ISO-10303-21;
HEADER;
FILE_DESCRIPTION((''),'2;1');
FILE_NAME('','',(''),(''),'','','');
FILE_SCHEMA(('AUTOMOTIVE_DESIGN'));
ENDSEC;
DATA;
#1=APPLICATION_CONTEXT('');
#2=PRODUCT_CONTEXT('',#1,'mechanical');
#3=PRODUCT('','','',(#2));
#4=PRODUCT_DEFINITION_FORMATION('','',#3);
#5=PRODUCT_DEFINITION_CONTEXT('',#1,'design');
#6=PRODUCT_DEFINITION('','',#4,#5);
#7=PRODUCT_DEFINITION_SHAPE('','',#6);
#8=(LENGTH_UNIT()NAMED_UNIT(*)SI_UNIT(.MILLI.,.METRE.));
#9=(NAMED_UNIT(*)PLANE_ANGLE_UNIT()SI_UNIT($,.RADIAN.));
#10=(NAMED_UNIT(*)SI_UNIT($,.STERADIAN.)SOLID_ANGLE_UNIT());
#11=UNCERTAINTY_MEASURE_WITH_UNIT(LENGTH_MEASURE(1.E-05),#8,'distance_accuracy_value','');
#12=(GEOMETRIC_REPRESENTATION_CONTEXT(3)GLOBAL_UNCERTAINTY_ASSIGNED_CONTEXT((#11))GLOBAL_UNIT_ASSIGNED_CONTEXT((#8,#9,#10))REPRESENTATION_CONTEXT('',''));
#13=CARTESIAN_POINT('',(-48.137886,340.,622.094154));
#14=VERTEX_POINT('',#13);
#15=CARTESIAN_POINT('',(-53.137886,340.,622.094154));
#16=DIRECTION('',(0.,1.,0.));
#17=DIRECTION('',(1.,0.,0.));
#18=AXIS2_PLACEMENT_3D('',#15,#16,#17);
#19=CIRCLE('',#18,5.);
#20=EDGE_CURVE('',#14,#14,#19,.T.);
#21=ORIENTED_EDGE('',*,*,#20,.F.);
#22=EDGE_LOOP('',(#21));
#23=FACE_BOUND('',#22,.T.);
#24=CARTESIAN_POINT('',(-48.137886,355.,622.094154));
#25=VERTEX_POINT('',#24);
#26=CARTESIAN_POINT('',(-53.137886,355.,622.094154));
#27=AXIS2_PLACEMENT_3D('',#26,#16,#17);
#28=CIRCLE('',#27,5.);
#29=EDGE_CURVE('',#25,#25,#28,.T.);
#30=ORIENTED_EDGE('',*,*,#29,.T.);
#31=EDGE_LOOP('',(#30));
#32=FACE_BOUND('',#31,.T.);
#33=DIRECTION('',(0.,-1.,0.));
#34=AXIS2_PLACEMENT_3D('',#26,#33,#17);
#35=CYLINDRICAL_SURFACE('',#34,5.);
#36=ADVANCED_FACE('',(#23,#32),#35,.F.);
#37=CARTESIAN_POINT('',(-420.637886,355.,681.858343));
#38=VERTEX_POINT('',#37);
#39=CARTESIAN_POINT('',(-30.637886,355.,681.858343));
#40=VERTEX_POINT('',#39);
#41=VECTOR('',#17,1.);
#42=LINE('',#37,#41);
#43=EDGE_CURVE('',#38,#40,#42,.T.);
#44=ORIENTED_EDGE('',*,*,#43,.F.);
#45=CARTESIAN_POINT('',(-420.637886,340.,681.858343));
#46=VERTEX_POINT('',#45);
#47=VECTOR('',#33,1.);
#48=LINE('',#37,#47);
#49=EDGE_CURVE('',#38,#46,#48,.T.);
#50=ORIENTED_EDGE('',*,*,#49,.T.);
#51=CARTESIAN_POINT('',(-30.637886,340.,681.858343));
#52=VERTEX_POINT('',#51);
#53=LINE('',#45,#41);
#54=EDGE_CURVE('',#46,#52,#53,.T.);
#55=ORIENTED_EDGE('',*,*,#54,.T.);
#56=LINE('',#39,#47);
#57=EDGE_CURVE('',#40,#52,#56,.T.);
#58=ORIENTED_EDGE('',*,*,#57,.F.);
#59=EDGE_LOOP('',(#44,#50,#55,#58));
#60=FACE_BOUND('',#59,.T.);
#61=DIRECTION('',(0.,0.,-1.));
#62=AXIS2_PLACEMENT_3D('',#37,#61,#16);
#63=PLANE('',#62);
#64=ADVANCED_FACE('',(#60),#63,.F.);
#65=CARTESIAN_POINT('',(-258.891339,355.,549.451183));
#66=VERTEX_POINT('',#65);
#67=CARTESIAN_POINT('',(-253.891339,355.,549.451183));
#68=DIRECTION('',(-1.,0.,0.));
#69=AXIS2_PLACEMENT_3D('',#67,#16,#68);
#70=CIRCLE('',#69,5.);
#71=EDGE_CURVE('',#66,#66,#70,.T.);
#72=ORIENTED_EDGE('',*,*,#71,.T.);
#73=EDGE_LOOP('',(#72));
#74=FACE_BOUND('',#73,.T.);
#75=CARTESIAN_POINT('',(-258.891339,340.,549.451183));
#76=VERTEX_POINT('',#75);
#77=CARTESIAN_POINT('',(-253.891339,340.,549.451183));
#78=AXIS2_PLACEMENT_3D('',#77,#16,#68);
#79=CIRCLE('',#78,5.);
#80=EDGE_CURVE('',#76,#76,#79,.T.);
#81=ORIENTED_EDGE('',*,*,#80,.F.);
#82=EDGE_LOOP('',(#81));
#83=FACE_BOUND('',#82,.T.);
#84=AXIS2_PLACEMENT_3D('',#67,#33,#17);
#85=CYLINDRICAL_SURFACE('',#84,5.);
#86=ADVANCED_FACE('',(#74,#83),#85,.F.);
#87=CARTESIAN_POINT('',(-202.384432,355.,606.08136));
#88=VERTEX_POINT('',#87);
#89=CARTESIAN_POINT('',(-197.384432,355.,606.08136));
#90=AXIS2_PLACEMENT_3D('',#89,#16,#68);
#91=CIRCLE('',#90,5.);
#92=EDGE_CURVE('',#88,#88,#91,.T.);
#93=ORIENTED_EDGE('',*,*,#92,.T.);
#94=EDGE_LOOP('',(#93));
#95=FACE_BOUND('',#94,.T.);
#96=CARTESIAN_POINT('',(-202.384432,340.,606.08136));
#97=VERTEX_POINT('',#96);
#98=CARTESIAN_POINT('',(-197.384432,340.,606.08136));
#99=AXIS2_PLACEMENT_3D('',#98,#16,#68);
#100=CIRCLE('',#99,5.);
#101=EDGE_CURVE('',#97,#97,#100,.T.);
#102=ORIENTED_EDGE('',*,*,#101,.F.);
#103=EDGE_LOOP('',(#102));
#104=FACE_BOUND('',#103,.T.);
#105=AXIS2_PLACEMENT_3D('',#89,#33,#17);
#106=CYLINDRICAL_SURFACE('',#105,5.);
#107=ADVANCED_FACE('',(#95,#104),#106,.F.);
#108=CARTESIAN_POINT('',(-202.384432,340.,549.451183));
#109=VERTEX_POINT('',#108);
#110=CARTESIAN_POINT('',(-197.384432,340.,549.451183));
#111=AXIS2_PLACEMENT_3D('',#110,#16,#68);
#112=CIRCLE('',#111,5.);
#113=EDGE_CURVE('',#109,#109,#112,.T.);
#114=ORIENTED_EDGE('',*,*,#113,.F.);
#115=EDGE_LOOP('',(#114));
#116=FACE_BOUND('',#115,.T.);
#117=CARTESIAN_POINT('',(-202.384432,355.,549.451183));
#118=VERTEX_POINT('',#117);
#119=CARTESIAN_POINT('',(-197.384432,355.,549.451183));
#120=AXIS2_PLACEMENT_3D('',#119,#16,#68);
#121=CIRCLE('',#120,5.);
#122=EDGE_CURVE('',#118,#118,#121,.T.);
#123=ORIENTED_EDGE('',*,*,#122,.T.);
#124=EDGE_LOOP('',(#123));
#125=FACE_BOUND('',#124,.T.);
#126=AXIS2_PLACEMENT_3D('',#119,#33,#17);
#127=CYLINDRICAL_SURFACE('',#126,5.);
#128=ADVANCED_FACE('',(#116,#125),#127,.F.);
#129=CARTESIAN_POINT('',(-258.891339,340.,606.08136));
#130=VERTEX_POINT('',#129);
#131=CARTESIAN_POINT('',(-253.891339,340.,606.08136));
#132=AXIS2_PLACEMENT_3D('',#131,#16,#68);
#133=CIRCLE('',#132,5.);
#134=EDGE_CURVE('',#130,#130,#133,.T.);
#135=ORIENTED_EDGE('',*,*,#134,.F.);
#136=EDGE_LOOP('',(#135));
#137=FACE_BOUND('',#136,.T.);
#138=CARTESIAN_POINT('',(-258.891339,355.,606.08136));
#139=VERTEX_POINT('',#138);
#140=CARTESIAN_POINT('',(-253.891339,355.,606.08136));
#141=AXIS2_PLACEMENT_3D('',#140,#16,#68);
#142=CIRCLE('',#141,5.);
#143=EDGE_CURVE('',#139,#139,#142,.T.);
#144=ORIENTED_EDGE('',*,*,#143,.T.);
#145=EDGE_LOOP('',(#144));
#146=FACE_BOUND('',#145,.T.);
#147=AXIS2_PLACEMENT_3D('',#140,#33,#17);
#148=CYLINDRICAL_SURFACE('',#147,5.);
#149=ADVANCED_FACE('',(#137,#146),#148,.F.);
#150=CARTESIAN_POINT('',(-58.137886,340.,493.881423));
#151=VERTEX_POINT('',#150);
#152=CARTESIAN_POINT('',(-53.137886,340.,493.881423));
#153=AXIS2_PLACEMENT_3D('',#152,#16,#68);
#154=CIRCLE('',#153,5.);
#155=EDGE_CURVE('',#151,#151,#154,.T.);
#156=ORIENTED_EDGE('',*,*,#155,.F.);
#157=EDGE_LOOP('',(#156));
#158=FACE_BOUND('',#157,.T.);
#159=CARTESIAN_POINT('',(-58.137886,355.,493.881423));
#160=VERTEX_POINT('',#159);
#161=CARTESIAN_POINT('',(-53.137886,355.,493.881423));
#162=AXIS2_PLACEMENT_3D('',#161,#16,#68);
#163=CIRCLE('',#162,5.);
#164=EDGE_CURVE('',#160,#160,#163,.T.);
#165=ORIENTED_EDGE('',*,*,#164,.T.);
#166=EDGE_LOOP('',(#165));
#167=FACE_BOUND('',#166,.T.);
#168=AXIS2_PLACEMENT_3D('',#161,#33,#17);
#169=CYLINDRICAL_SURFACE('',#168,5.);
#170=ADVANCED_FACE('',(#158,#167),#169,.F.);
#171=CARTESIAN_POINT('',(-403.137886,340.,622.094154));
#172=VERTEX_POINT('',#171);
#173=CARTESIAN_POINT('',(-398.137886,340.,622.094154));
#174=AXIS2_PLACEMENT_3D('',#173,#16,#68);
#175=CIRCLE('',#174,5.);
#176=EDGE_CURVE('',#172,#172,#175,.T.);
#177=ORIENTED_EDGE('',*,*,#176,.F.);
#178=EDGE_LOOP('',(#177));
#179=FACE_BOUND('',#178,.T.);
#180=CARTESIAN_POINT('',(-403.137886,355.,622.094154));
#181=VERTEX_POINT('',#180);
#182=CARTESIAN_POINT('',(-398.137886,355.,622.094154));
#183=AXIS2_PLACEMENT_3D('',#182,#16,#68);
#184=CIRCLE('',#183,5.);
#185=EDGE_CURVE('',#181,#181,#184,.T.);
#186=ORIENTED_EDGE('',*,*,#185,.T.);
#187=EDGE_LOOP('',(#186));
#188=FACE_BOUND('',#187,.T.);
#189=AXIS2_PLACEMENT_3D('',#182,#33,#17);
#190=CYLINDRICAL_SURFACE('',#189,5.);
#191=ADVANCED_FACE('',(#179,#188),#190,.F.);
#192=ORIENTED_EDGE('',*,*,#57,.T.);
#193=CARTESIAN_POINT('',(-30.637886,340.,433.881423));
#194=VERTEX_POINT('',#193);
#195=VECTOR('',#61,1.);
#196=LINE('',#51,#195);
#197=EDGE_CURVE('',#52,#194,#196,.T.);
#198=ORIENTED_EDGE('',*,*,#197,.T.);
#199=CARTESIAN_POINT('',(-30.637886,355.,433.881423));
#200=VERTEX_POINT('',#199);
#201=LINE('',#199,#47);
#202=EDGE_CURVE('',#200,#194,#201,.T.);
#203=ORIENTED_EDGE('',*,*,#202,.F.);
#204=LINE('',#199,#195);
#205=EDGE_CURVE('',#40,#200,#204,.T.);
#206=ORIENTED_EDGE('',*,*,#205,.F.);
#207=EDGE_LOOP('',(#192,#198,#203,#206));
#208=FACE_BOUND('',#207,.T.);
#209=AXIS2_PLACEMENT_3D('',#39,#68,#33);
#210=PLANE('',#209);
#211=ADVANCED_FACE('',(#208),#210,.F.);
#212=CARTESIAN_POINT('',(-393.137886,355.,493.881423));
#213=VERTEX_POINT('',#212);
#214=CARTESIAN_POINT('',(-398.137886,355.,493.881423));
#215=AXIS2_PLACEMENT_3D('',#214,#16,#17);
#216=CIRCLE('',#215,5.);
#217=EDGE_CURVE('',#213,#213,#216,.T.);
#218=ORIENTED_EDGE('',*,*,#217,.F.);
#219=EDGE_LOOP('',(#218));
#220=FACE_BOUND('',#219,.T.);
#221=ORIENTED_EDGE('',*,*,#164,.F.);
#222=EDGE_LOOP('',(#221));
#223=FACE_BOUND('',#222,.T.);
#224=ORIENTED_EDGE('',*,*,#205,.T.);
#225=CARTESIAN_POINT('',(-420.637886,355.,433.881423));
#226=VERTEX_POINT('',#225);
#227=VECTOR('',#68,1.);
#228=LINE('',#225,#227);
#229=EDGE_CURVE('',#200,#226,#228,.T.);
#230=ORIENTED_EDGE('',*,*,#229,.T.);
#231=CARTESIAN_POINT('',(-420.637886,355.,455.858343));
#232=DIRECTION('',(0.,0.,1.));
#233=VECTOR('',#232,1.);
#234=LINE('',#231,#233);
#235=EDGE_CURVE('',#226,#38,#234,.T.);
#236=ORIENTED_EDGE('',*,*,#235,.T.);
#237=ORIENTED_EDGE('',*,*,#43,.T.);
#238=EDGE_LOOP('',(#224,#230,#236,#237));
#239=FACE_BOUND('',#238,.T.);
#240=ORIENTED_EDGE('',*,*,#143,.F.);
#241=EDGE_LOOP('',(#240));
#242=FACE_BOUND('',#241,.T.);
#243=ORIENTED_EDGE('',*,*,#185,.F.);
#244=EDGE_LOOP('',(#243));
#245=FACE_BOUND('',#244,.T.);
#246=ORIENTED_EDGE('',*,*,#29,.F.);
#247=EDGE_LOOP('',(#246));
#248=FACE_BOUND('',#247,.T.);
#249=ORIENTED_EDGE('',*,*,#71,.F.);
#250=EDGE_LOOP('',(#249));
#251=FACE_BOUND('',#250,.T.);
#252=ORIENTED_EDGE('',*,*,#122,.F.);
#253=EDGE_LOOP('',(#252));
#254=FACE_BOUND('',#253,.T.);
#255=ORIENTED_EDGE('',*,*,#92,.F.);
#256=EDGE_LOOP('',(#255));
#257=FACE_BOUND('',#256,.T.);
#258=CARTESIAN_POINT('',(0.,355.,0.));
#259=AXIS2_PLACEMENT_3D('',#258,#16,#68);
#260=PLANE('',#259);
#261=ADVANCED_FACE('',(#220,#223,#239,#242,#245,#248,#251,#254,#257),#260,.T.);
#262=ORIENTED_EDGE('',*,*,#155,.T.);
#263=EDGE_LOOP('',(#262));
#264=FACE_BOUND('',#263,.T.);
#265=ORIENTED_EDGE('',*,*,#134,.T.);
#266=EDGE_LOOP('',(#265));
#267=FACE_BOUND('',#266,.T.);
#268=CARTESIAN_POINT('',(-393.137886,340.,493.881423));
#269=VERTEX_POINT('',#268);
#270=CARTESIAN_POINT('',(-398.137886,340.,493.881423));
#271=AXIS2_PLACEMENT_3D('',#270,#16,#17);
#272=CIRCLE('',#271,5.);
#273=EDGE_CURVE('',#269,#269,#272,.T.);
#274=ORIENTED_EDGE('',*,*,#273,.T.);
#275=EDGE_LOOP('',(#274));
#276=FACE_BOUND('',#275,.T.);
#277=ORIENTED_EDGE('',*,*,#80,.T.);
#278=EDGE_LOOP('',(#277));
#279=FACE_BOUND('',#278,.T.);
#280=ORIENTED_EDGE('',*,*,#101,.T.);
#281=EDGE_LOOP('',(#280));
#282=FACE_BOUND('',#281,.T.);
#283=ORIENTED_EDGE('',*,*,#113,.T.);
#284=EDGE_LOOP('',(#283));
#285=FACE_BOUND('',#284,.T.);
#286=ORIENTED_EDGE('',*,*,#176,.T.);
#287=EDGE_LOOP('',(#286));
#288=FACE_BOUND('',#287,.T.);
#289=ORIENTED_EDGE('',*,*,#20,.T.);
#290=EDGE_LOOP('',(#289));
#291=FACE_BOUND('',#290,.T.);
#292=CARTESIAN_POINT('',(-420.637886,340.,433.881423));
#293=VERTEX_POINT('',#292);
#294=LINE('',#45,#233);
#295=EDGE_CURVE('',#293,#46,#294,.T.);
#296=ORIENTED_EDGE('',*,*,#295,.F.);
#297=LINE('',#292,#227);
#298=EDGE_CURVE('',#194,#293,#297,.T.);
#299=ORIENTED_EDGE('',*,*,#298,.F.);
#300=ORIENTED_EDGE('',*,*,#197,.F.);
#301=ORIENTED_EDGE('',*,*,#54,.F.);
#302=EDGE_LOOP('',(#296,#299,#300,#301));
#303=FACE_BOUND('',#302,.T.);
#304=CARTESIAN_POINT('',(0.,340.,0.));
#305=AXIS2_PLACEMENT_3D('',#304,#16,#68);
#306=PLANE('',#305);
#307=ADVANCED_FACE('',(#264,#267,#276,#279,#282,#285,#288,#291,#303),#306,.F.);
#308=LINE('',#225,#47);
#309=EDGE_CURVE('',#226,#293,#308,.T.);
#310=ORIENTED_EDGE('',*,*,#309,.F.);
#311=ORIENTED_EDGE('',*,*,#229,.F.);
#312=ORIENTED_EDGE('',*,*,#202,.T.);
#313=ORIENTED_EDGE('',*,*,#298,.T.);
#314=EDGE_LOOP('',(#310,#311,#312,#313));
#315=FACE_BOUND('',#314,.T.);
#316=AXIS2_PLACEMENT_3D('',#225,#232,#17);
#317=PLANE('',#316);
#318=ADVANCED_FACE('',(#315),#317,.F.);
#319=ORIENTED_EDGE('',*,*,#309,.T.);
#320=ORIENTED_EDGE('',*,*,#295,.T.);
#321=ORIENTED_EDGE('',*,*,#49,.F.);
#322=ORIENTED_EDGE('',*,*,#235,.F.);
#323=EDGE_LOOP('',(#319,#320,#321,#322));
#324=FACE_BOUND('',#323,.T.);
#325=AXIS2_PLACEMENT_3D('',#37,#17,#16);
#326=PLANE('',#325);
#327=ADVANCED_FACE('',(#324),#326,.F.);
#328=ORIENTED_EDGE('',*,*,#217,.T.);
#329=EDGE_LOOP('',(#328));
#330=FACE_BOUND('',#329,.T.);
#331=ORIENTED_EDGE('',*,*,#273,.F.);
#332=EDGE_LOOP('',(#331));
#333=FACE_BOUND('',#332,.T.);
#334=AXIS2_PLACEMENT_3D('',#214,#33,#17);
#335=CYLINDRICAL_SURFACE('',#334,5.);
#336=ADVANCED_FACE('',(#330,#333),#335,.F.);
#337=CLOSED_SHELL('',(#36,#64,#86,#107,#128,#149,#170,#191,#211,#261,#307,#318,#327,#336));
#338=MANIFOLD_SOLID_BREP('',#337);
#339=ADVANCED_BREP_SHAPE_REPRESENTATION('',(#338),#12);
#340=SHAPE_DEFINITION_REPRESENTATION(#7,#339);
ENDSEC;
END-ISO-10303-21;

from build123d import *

# Parameters (mm, degrees)
SKETCH2_R           = 5
BOSS_EXTRUDE1_DEPTH = 15


with BuildPart() as part:
    # Sketch2 → Boss-Extrude1 (new body)
    with BuildSketch(Plane(origin=(0, 340, 0), x_dir=(1, 0, 0), z_dir=(0, 1, 0))):
        Polygon((-420.637885724, -681.858342538), (-30.637885724, -681.858342538), (-30.637885724, -455.858342538), (-30.637885724, -433.881423439), (-420.637885724, -433.881423439), (-420.637885724, -455.858342538), align=None)
        with Locations(Location((-53.137885724, -493.881423439, 0), (0, 0, 180))):
            Circle(SKETCH2_R, mode=Mode.SUBTRACT)
        with Locations((-53.137885724, -622.094154379)):
            Circle(SKETCH2_R, mode=Mode.SUBTRACT)
        with Locations((-398.137885724, -493.881423439)):
            Circle(SKETCH2_R, mode=Mode.SUBTRACT)
        with Locations(Location((-398.137885724, -622.094154379, 0), (0, 0, 180))):
            Circle(SKETCH2_R, mode=Mode.SUBTRACT)
        with Locations(Location((-197.384432093, -549.451182731, 0), (0, 0, 180))):
            Circle(SKETCH2_R, mode=Mode.SUBTRACT)
        with Locations(Location((-197.384432093, -606.081360459, 0), (0, 0, 180))):
            Circle(SKETCH2_R, mode=Mode.SUBTRACT)
        with Locations(Location((-253.891339355, -606.081360459, 0), (0, 0, 180))):
            Circle(SKETCH2_R, mode=Mode.SUBTRACT)
        with Locations(Location((-253.891339355, -549.451182731, 0), (0, 0, 180))):
            Circle(SKETCH2_R, mode=Mode.SUBTRACT)
    extrude(amount=BOSS_EXTRUDE1_DEPTH)


solid = part.part
